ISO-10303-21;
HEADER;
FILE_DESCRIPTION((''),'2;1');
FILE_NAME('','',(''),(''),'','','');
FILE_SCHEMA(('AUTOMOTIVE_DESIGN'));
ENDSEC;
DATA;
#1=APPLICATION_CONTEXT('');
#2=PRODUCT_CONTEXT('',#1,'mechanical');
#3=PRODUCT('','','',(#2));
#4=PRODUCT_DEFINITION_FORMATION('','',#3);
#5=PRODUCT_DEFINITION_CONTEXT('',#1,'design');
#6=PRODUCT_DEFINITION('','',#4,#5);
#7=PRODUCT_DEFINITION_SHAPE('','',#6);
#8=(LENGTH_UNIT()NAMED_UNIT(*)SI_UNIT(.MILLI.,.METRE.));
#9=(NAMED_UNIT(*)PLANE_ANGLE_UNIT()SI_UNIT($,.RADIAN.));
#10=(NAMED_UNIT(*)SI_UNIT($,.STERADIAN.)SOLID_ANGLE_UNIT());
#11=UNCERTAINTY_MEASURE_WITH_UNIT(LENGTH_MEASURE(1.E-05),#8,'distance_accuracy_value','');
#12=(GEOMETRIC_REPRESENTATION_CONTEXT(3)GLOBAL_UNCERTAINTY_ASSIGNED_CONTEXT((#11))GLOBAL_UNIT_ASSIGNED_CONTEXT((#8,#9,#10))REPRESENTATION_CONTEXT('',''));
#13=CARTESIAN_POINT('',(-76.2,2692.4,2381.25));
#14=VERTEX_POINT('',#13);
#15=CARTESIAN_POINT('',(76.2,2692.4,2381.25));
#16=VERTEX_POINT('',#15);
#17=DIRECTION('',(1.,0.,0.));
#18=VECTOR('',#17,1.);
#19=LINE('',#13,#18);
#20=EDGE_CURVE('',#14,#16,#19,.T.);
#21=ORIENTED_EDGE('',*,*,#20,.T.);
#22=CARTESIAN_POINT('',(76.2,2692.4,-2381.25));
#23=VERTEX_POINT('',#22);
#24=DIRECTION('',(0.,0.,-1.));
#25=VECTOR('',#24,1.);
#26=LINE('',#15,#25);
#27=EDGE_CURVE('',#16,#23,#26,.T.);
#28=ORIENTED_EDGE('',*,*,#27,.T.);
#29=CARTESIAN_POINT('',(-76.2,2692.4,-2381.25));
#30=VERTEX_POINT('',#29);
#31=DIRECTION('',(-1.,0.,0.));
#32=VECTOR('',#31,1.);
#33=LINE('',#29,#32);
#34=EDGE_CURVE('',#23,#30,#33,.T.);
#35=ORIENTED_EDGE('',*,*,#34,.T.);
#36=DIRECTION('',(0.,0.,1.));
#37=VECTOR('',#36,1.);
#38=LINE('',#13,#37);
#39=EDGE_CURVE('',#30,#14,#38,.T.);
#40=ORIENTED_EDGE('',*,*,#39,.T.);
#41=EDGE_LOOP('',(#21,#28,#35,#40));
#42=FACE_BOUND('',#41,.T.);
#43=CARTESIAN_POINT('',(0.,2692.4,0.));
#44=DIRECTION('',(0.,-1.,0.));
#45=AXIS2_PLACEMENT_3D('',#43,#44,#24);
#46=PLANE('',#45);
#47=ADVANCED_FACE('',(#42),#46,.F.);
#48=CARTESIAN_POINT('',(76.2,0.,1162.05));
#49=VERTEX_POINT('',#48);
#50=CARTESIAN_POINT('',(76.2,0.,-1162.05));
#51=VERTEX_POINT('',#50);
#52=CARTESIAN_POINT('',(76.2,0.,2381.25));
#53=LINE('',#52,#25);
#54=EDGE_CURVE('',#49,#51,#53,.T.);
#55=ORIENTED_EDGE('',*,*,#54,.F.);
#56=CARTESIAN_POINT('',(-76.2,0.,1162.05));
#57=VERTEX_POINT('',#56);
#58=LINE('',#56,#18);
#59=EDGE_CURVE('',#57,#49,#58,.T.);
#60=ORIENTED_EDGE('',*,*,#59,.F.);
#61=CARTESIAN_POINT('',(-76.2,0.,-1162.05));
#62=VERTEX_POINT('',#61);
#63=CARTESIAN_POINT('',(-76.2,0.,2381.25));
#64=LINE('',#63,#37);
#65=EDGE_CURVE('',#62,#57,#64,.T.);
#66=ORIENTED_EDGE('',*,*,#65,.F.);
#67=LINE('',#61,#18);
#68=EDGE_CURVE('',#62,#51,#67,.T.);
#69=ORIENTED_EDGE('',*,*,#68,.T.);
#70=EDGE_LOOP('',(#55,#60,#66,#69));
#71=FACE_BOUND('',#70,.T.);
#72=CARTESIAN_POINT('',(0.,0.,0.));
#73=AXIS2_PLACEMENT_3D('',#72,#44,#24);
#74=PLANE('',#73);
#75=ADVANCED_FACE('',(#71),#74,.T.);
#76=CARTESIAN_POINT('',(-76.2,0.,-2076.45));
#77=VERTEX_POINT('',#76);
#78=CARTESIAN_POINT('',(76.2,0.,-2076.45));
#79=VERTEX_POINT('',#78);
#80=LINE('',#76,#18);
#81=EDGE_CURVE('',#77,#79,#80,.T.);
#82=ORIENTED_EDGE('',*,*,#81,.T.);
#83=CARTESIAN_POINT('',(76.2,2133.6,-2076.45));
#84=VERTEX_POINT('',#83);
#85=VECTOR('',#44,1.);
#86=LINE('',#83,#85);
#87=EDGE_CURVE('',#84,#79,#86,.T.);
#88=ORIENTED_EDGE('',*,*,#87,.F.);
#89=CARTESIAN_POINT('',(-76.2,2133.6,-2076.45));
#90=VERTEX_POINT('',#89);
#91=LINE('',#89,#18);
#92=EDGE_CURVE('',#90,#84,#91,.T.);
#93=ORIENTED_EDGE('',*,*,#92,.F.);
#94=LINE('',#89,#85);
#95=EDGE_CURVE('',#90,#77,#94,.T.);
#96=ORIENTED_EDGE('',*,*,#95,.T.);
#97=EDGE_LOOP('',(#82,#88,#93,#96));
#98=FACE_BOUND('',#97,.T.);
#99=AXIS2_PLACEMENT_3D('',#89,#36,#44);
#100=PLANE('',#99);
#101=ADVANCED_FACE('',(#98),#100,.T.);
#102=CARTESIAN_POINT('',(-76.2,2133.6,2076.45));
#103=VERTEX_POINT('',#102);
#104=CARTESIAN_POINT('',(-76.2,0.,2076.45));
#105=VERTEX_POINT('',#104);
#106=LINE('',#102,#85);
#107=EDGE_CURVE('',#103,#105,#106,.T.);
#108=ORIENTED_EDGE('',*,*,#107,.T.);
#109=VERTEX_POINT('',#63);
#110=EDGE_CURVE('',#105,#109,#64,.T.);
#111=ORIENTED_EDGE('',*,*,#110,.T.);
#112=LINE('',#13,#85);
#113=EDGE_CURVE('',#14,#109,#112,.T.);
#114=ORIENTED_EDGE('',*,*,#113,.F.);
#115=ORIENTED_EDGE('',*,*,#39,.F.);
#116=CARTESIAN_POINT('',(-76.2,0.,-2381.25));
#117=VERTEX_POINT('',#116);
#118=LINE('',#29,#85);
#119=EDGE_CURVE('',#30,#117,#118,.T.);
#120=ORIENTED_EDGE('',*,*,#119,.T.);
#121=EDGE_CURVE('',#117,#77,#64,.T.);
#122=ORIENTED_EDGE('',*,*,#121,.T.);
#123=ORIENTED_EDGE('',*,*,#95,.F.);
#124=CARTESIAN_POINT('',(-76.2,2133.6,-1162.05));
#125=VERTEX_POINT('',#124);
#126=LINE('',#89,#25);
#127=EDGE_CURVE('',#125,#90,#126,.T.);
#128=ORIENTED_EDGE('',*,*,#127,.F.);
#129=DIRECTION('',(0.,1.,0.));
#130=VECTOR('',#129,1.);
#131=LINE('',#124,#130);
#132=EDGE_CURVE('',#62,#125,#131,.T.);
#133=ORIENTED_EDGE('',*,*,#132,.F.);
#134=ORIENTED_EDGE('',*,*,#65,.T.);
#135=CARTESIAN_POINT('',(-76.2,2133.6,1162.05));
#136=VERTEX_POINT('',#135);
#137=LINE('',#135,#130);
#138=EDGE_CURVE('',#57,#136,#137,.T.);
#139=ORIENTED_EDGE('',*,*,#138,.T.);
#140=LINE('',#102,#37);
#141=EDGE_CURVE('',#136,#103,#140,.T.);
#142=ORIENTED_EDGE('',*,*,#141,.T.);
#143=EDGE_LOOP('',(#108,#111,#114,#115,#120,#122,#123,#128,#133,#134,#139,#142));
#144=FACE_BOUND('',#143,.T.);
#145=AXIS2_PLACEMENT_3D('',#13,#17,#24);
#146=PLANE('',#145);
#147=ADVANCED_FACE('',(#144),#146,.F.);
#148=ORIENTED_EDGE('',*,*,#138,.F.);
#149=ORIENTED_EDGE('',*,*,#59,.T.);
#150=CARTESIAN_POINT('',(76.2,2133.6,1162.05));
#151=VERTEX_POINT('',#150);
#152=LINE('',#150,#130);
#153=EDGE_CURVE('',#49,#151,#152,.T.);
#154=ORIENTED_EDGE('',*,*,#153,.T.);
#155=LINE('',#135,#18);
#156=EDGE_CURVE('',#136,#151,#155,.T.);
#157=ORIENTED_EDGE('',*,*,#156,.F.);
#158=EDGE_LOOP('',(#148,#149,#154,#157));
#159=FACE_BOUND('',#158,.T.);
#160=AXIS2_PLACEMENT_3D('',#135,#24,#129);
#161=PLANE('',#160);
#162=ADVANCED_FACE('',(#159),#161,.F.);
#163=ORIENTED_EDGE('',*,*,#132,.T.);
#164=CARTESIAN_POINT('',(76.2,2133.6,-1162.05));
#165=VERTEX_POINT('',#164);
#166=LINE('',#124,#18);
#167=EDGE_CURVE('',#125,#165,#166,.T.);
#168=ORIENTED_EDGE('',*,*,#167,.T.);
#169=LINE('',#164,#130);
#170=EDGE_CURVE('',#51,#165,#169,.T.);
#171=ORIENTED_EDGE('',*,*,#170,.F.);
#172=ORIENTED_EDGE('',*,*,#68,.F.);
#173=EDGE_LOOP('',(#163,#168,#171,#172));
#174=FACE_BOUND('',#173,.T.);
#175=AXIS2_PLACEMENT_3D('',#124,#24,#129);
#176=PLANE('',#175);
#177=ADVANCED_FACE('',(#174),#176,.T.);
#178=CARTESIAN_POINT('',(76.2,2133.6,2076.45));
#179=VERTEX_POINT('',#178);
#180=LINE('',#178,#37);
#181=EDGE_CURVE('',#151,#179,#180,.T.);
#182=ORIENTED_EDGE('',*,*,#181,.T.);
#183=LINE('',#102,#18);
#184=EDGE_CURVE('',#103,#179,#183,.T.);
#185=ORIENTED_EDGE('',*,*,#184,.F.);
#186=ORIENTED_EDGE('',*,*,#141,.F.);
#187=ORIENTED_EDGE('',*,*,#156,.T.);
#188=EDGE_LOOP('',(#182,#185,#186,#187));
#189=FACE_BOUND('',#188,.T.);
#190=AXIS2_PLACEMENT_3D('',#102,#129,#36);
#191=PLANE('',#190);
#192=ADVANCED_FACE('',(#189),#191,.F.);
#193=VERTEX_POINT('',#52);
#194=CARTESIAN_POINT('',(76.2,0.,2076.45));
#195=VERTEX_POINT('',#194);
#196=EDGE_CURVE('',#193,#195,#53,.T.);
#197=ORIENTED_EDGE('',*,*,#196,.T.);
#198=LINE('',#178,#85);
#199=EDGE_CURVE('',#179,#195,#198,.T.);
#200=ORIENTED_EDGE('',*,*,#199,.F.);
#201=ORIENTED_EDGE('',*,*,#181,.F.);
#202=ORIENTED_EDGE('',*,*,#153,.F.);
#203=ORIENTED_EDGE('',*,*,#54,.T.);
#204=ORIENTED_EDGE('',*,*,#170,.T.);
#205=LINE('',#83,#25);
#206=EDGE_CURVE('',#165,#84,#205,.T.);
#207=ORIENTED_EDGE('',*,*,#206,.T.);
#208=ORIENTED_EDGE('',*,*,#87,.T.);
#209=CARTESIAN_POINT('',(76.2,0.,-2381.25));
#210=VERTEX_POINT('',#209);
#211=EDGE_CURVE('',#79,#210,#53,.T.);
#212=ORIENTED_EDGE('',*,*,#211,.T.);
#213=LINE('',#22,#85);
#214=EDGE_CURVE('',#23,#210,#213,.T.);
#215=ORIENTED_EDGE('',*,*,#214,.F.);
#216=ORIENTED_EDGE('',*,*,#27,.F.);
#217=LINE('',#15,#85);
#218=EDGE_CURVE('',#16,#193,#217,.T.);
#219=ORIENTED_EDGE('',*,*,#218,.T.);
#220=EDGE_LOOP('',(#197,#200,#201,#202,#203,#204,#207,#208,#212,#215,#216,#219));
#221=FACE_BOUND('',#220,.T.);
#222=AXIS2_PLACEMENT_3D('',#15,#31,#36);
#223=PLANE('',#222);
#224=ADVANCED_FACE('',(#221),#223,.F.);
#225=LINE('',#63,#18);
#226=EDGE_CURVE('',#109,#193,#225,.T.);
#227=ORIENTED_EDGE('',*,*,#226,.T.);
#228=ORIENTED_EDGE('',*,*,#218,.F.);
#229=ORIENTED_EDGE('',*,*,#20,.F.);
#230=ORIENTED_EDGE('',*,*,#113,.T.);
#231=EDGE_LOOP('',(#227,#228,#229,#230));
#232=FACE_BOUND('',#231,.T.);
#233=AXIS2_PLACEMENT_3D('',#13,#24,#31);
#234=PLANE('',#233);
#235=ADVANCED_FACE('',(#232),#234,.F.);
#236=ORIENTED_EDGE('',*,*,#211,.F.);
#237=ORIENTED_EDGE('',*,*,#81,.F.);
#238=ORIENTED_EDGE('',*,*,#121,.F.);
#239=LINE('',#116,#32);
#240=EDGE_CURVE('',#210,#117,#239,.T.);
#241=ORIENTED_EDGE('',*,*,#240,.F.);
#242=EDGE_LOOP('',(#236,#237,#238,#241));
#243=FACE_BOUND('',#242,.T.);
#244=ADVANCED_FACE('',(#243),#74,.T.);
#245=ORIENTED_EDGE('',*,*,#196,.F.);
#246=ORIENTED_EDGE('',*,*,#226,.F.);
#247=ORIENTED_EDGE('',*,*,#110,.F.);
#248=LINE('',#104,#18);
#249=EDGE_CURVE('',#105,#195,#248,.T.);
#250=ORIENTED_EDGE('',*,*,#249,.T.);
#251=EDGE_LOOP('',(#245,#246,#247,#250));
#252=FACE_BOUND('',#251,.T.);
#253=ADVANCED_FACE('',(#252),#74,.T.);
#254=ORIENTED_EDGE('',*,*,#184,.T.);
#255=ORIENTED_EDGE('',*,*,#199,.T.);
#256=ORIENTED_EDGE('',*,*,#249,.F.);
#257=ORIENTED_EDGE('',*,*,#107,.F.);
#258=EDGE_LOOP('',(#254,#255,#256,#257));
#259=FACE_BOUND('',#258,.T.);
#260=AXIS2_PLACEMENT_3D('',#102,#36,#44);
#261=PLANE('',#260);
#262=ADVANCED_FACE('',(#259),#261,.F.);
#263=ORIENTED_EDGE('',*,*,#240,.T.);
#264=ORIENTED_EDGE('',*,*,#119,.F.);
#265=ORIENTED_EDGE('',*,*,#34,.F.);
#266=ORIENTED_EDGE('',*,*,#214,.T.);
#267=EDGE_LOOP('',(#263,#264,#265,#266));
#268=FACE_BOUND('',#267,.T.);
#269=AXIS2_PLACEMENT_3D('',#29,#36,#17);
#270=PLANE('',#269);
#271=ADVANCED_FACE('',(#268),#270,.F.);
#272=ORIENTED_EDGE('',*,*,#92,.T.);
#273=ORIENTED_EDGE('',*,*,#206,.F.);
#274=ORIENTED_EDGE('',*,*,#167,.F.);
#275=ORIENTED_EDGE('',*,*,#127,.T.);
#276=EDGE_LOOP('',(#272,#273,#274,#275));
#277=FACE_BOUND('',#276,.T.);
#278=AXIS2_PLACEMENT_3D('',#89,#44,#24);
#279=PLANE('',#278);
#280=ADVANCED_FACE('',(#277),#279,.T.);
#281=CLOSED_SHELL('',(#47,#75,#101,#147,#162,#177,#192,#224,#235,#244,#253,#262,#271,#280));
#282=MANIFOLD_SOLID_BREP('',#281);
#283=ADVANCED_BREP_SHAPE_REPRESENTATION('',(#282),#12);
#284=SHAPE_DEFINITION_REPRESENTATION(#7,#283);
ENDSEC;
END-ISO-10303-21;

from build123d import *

# Parameters (mm, degrees)
SKETCH1_W           = 152.4
SKETCH1_H           = 4762.5
BOSS_EXTRUDE1_DEPTH = 2692.4
SKETCH2_W           = 914.4
SKETCH2_H           = 2133.6
CUT_EXTRUDE1_DEPTH  = 3598.581838194


with BuildPart() as part:
    # Sketch1 → Boss-Extrude1 (new body)
    with BuildSketch(Plane(origin=(0, 0, 0), x_dir=(1, 0, 0), z_dir=(0, 1, 0))):
        Rectangle(SKETCH1_W, SKETCH1_H)
    extrude(amount=BOSS_EXTRUDE1_DEPTH)

    # Sketch2 → Cut-Extrude1 (cut, through all)
    with BuildSketch(Plane(origin=(76.2, 0, 0), x_dir=(0, 0, -1), z_dir=(1, 0, 0))):
        with Locations((-1619.25, 1066.8)):
            Rectangle(SKETCH2_W, SKETCH2_H)
    cut_extrude1 = extrude(amount=-CUT_EXTRUDE1_DEPTH, mode=Mode.SUBTRACT)

    # Mirror1: Cut-Extrude1 across plane
    add(cut_extrude1.mirror(Plane.XY), mode=Mode.SUBTRACT)


solid = part.part
